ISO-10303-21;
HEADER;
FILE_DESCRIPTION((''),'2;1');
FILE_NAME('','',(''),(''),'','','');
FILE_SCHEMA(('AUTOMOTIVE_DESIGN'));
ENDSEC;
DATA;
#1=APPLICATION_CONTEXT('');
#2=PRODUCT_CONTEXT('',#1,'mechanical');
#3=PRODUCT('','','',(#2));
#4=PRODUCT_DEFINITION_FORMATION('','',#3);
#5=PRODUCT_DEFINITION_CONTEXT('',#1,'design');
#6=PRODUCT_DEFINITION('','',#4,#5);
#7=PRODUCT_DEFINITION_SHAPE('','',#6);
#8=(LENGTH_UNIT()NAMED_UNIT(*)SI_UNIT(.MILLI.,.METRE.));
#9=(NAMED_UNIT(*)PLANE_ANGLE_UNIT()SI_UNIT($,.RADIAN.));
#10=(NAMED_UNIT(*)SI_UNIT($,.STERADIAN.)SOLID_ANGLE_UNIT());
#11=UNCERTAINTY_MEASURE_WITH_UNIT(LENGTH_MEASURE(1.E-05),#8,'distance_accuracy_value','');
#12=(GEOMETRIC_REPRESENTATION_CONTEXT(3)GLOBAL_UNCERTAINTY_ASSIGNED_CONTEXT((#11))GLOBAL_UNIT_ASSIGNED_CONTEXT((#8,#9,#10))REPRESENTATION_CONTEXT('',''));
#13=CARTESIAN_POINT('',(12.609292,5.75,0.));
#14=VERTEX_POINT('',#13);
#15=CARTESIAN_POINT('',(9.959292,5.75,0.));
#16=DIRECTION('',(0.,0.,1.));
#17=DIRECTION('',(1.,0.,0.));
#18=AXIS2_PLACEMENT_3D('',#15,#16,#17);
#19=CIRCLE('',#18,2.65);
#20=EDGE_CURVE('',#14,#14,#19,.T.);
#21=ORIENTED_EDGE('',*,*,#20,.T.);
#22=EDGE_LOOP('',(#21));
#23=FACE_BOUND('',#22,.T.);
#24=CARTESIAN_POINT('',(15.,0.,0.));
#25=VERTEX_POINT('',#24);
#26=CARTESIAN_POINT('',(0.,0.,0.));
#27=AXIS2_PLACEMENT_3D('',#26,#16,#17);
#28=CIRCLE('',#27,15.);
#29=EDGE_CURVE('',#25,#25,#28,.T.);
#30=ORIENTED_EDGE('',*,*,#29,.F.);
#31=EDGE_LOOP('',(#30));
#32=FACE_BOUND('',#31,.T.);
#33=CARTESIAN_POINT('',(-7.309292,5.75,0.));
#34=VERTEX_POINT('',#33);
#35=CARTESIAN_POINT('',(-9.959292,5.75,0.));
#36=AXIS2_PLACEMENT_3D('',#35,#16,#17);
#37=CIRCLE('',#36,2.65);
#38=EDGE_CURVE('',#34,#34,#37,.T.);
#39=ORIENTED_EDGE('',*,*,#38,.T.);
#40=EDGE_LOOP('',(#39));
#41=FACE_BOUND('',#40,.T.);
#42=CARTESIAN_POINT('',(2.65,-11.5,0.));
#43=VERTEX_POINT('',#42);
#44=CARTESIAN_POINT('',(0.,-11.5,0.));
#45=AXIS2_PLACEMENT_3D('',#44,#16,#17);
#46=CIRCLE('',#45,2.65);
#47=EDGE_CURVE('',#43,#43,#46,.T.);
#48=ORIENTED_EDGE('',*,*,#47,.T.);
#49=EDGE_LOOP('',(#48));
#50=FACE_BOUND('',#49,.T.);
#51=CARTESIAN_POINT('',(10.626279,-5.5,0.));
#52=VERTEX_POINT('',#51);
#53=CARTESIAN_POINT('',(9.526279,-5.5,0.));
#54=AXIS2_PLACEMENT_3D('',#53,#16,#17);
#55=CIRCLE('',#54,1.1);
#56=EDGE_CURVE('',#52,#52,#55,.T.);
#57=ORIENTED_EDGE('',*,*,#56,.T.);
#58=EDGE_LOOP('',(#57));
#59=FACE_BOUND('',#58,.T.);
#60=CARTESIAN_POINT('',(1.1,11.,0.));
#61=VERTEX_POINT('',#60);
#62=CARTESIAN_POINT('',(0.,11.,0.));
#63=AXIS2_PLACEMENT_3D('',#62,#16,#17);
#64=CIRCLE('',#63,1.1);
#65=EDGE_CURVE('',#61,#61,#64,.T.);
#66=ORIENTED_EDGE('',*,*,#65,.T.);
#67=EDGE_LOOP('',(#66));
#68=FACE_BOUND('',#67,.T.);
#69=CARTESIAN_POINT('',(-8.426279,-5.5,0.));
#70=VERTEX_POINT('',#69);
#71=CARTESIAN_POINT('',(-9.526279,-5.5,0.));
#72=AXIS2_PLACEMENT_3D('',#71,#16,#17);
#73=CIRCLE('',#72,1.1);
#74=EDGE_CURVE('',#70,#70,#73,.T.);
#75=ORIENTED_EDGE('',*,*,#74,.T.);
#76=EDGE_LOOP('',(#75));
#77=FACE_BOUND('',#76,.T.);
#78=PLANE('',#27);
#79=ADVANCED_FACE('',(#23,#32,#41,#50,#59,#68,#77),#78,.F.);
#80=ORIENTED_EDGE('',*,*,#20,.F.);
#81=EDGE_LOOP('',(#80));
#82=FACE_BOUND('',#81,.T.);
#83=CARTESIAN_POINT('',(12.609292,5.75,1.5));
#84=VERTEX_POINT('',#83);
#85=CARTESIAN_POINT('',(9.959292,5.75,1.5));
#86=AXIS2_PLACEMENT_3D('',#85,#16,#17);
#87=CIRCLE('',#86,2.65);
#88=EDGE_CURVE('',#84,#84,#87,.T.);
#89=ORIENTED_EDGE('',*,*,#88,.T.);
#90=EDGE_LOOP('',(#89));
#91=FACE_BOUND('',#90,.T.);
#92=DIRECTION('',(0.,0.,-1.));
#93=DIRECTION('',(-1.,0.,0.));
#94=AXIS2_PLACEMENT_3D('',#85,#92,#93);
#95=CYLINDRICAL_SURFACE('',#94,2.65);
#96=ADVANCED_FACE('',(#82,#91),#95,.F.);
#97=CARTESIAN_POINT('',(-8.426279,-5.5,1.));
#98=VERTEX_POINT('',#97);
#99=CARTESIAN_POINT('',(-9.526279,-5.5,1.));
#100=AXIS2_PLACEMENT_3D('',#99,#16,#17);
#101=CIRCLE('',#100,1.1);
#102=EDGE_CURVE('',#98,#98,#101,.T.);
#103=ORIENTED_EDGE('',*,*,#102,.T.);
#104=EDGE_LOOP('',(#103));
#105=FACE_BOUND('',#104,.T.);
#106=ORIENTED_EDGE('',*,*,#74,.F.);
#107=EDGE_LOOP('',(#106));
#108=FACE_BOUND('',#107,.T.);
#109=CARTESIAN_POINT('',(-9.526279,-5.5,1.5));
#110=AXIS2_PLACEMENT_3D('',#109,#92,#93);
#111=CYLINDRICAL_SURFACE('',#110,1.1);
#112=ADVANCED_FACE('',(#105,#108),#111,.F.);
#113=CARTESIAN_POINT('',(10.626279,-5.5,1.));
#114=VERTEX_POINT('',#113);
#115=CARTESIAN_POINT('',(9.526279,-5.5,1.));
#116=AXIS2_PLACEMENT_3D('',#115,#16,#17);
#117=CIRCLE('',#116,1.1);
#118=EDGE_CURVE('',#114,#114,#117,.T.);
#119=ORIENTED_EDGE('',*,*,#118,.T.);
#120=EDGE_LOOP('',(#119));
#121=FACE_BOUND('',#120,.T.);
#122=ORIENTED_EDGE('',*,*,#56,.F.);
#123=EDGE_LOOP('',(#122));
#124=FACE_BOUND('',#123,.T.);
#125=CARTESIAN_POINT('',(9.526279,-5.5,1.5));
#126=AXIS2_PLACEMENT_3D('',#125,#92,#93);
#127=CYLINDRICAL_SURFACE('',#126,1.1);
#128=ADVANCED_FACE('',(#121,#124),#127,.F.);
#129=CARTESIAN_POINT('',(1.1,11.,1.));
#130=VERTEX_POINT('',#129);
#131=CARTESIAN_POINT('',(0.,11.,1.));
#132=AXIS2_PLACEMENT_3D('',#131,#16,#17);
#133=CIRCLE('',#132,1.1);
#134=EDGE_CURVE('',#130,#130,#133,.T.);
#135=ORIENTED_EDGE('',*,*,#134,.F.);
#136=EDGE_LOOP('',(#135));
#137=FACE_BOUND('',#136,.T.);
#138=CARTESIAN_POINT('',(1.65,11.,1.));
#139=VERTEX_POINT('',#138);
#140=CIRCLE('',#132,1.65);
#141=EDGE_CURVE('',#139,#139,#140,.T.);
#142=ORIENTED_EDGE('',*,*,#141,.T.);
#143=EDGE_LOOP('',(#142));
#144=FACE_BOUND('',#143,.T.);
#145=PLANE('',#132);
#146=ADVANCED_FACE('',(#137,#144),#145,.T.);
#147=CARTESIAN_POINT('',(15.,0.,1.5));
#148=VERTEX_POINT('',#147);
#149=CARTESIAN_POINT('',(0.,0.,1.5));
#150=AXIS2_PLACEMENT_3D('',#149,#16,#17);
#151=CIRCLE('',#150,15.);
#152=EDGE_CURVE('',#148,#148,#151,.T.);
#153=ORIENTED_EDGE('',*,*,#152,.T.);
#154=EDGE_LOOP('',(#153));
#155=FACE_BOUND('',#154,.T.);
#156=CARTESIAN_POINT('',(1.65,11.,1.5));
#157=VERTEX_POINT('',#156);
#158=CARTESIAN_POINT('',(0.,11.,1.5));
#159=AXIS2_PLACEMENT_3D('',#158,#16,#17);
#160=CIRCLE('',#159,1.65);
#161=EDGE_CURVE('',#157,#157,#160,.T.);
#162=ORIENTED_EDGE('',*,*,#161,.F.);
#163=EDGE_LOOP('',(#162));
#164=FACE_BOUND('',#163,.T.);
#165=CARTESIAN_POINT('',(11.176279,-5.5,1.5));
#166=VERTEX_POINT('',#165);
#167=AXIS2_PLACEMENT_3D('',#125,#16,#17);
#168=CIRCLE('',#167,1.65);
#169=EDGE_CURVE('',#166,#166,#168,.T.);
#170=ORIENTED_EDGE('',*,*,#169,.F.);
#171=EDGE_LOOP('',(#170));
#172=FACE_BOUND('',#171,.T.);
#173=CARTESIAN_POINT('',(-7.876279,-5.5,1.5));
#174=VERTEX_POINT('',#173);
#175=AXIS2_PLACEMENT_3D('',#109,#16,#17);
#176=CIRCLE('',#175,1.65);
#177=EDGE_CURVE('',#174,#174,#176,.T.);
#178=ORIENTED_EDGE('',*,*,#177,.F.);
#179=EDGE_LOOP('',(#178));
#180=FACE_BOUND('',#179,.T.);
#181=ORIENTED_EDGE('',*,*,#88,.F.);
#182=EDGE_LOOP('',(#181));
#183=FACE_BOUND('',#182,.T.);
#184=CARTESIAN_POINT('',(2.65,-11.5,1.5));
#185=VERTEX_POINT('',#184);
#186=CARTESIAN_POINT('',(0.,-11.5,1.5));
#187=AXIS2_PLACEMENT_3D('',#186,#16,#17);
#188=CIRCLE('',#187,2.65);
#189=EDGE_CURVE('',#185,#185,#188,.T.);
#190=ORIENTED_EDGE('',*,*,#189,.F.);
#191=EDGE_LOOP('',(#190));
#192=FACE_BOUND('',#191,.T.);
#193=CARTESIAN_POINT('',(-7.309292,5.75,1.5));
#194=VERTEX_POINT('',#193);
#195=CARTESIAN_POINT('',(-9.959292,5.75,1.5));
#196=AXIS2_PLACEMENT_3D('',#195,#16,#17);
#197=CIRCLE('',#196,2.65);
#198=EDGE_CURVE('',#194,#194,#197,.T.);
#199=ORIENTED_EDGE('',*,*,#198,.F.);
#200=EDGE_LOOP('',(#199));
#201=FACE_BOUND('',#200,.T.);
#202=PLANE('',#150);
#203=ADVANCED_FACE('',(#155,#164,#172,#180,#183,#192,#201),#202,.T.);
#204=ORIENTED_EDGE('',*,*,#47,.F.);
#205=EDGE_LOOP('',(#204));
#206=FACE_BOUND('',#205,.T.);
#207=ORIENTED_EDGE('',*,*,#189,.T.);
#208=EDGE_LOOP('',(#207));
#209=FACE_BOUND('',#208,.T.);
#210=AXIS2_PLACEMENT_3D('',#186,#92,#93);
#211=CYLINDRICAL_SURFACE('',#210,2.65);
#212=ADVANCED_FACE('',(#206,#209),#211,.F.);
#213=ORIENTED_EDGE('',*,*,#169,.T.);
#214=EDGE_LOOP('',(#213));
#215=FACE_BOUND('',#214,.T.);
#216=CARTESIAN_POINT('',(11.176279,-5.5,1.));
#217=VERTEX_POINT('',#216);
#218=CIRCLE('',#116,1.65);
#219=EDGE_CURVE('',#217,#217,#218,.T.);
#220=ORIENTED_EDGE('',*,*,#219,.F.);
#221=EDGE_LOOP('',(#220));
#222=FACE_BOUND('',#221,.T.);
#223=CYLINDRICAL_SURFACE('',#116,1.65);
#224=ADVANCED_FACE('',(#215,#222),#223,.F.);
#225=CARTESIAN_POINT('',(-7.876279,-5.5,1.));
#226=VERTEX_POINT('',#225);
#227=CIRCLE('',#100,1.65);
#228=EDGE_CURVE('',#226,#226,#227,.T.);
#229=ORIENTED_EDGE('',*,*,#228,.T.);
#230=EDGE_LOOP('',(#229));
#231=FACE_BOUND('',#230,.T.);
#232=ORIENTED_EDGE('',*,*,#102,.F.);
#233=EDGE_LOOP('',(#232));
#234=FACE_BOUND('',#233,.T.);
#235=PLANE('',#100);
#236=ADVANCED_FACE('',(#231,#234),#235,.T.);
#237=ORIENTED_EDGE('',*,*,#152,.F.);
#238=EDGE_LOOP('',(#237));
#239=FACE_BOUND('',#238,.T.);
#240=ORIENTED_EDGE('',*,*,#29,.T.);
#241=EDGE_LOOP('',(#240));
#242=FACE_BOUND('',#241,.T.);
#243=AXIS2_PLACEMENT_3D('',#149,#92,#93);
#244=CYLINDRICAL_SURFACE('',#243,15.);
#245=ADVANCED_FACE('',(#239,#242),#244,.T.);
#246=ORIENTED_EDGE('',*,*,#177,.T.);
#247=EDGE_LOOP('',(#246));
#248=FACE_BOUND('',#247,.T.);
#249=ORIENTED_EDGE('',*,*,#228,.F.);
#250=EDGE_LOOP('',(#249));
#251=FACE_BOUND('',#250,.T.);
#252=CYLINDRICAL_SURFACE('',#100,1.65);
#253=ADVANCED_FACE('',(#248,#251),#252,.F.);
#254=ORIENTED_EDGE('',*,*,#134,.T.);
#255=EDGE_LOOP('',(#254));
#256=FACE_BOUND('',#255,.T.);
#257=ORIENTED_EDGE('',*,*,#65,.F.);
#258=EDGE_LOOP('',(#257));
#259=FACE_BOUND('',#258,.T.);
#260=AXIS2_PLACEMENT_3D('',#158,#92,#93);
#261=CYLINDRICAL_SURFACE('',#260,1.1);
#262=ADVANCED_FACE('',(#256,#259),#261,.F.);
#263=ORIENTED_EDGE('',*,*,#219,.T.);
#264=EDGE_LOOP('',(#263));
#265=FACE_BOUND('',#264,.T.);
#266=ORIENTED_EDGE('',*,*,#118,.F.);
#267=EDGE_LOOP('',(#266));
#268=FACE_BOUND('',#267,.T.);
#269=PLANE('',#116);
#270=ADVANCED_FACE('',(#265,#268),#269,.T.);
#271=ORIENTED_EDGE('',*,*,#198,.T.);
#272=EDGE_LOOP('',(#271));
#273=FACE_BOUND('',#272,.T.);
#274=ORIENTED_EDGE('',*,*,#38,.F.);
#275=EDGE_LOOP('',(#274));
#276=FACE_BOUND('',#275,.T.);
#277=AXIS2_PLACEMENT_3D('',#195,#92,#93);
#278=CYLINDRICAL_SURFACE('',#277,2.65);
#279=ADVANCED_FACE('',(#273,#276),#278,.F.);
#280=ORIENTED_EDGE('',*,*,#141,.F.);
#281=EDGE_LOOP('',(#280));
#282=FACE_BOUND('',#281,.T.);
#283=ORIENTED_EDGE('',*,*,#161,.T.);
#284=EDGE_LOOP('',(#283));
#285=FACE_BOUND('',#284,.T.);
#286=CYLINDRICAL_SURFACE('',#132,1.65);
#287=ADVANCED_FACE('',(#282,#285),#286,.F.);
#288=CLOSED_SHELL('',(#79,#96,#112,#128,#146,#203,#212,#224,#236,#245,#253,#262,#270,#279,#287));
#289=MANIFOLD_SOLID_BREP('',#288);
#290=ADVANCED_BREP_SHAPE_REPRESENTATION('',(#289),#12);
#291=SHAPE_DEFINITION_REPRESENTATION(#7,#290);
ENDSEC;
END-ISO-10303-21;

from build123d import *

# Parameters (mm, degrees)
SKETCH1_R           = 15
SKETCH1_R_2         = 1.65
SKETCH1_R_3         = 2.65
SKETCH1_R_4         = 1.1
BOSS_EXTRUDE1_DEPTH = 1.5
CUT_EXTRUDE1_START  = 1
SKETCH1_5_R         = 1.65
SKETCH1_5_R_2       = 1.1
CUT_EXTRUDE1_DEPTH  = 0.5


with BuildPart() as part:
    # Sketch1 → Boss-Extrude1 (new body)
    # profile 1 of 4: a face of its own
    with BuildSketch(Plane.XY):
        Circle(SKETCH1_R)
        with Locations((-9.526279442, -5.5)):
            Circle(SKETCH1_R_2, mode=Mode.SUBTRACT)
        with Locations((9.526279442, -5.5)):
            Circle(SKETCH1_R_2, mode=Mode.SUBTRACT)
        with Locations((0, 11)):
            Circle(SKETCH1_R_2, mode=Mode.SUBTRACT)
        with Locations((-9.959292144, 5.75)):
            Circle(SKETCH1_R_3, mode=Mode.SUBTRACT)
        with Locations((0, -11.5)):
            Circle(SKETCH1_R_3, mode=Mode.SUBTRACT)
        with Locations((9.959292144, 5.75)):
            Circle(SKETCH1_R_3, mode=Mode.SUBTRACT)
    # profile 2 of 4: a face of its own
    with BuildSketch(Plane.XY):
        with Locations((9.526279442, -5.5)):
            Circle(SKETCH1_R_2)
        with Locations((9.526279442, -5.5)):
            Circle(SKETCH1_R_4, mode=Mode.SUBTRACT)
    # profile 3 of 4: a face of its own
    with BuildSketch(Plane.XY):
        with Locations((0, 11)):
            Circle(SKETCH1_R_2)
        with Locations((0, 11)):
            Circle(SKETCH1_R_4, mode=Mode.SUBTRACT)
    # profile 4 of 4: a face of its own
    with BuildSketch(Plane.XY):
        with Locations((-9.526279442, -5.5)):
            Circle(SKETCH1_R_2)
        with Locations((-9.526279442, -5.5)):
            Circle(SKETCH1_R_4, mode=Mode.SUBTRACT)
    extrude(amount=BOSS_EXTRUDE1_DEPTH)

    # Sketch1<5> → Cut-Extrude1 (cut)
    # profile 1 of 3: a face of its own
    with BuildSketch(Plane.XY.offset(CUT_EXTRUDE1_START)):
        with Locations((-9.526279442, -5.5)):
            Circle(SKETCH1_5_R)
        with Locations((-9.526279442, -5.5)):
            Circle(SKETCH1_5_R_2, mode=Mode.SUBTRACT)
    # profile 2 of 3: a face of its own
    with BuildSketch(Plane.XY.offset(CUT_EXTRUDE1_START)):
        with Locations((0, 11)):
            Circle(SKETCH1_5_R)
        with Locations((0, 11)):
            Circle(SKETCH1_5_R_2, mode=Mode.SUBTRACT)
    # profile 3 of 3: a face of its own
    with BuildSketch(Plane.XY.offset(CUT_EXTRUDE1_START)):
        with Locations((9.526279442, -5.5)):
            Circle(SKETCH1_5_R)
    extrude(amount=CUT_EXTRUDE1_DEPTH, mode=Mode.SUBTRACT)


solid = part.part
